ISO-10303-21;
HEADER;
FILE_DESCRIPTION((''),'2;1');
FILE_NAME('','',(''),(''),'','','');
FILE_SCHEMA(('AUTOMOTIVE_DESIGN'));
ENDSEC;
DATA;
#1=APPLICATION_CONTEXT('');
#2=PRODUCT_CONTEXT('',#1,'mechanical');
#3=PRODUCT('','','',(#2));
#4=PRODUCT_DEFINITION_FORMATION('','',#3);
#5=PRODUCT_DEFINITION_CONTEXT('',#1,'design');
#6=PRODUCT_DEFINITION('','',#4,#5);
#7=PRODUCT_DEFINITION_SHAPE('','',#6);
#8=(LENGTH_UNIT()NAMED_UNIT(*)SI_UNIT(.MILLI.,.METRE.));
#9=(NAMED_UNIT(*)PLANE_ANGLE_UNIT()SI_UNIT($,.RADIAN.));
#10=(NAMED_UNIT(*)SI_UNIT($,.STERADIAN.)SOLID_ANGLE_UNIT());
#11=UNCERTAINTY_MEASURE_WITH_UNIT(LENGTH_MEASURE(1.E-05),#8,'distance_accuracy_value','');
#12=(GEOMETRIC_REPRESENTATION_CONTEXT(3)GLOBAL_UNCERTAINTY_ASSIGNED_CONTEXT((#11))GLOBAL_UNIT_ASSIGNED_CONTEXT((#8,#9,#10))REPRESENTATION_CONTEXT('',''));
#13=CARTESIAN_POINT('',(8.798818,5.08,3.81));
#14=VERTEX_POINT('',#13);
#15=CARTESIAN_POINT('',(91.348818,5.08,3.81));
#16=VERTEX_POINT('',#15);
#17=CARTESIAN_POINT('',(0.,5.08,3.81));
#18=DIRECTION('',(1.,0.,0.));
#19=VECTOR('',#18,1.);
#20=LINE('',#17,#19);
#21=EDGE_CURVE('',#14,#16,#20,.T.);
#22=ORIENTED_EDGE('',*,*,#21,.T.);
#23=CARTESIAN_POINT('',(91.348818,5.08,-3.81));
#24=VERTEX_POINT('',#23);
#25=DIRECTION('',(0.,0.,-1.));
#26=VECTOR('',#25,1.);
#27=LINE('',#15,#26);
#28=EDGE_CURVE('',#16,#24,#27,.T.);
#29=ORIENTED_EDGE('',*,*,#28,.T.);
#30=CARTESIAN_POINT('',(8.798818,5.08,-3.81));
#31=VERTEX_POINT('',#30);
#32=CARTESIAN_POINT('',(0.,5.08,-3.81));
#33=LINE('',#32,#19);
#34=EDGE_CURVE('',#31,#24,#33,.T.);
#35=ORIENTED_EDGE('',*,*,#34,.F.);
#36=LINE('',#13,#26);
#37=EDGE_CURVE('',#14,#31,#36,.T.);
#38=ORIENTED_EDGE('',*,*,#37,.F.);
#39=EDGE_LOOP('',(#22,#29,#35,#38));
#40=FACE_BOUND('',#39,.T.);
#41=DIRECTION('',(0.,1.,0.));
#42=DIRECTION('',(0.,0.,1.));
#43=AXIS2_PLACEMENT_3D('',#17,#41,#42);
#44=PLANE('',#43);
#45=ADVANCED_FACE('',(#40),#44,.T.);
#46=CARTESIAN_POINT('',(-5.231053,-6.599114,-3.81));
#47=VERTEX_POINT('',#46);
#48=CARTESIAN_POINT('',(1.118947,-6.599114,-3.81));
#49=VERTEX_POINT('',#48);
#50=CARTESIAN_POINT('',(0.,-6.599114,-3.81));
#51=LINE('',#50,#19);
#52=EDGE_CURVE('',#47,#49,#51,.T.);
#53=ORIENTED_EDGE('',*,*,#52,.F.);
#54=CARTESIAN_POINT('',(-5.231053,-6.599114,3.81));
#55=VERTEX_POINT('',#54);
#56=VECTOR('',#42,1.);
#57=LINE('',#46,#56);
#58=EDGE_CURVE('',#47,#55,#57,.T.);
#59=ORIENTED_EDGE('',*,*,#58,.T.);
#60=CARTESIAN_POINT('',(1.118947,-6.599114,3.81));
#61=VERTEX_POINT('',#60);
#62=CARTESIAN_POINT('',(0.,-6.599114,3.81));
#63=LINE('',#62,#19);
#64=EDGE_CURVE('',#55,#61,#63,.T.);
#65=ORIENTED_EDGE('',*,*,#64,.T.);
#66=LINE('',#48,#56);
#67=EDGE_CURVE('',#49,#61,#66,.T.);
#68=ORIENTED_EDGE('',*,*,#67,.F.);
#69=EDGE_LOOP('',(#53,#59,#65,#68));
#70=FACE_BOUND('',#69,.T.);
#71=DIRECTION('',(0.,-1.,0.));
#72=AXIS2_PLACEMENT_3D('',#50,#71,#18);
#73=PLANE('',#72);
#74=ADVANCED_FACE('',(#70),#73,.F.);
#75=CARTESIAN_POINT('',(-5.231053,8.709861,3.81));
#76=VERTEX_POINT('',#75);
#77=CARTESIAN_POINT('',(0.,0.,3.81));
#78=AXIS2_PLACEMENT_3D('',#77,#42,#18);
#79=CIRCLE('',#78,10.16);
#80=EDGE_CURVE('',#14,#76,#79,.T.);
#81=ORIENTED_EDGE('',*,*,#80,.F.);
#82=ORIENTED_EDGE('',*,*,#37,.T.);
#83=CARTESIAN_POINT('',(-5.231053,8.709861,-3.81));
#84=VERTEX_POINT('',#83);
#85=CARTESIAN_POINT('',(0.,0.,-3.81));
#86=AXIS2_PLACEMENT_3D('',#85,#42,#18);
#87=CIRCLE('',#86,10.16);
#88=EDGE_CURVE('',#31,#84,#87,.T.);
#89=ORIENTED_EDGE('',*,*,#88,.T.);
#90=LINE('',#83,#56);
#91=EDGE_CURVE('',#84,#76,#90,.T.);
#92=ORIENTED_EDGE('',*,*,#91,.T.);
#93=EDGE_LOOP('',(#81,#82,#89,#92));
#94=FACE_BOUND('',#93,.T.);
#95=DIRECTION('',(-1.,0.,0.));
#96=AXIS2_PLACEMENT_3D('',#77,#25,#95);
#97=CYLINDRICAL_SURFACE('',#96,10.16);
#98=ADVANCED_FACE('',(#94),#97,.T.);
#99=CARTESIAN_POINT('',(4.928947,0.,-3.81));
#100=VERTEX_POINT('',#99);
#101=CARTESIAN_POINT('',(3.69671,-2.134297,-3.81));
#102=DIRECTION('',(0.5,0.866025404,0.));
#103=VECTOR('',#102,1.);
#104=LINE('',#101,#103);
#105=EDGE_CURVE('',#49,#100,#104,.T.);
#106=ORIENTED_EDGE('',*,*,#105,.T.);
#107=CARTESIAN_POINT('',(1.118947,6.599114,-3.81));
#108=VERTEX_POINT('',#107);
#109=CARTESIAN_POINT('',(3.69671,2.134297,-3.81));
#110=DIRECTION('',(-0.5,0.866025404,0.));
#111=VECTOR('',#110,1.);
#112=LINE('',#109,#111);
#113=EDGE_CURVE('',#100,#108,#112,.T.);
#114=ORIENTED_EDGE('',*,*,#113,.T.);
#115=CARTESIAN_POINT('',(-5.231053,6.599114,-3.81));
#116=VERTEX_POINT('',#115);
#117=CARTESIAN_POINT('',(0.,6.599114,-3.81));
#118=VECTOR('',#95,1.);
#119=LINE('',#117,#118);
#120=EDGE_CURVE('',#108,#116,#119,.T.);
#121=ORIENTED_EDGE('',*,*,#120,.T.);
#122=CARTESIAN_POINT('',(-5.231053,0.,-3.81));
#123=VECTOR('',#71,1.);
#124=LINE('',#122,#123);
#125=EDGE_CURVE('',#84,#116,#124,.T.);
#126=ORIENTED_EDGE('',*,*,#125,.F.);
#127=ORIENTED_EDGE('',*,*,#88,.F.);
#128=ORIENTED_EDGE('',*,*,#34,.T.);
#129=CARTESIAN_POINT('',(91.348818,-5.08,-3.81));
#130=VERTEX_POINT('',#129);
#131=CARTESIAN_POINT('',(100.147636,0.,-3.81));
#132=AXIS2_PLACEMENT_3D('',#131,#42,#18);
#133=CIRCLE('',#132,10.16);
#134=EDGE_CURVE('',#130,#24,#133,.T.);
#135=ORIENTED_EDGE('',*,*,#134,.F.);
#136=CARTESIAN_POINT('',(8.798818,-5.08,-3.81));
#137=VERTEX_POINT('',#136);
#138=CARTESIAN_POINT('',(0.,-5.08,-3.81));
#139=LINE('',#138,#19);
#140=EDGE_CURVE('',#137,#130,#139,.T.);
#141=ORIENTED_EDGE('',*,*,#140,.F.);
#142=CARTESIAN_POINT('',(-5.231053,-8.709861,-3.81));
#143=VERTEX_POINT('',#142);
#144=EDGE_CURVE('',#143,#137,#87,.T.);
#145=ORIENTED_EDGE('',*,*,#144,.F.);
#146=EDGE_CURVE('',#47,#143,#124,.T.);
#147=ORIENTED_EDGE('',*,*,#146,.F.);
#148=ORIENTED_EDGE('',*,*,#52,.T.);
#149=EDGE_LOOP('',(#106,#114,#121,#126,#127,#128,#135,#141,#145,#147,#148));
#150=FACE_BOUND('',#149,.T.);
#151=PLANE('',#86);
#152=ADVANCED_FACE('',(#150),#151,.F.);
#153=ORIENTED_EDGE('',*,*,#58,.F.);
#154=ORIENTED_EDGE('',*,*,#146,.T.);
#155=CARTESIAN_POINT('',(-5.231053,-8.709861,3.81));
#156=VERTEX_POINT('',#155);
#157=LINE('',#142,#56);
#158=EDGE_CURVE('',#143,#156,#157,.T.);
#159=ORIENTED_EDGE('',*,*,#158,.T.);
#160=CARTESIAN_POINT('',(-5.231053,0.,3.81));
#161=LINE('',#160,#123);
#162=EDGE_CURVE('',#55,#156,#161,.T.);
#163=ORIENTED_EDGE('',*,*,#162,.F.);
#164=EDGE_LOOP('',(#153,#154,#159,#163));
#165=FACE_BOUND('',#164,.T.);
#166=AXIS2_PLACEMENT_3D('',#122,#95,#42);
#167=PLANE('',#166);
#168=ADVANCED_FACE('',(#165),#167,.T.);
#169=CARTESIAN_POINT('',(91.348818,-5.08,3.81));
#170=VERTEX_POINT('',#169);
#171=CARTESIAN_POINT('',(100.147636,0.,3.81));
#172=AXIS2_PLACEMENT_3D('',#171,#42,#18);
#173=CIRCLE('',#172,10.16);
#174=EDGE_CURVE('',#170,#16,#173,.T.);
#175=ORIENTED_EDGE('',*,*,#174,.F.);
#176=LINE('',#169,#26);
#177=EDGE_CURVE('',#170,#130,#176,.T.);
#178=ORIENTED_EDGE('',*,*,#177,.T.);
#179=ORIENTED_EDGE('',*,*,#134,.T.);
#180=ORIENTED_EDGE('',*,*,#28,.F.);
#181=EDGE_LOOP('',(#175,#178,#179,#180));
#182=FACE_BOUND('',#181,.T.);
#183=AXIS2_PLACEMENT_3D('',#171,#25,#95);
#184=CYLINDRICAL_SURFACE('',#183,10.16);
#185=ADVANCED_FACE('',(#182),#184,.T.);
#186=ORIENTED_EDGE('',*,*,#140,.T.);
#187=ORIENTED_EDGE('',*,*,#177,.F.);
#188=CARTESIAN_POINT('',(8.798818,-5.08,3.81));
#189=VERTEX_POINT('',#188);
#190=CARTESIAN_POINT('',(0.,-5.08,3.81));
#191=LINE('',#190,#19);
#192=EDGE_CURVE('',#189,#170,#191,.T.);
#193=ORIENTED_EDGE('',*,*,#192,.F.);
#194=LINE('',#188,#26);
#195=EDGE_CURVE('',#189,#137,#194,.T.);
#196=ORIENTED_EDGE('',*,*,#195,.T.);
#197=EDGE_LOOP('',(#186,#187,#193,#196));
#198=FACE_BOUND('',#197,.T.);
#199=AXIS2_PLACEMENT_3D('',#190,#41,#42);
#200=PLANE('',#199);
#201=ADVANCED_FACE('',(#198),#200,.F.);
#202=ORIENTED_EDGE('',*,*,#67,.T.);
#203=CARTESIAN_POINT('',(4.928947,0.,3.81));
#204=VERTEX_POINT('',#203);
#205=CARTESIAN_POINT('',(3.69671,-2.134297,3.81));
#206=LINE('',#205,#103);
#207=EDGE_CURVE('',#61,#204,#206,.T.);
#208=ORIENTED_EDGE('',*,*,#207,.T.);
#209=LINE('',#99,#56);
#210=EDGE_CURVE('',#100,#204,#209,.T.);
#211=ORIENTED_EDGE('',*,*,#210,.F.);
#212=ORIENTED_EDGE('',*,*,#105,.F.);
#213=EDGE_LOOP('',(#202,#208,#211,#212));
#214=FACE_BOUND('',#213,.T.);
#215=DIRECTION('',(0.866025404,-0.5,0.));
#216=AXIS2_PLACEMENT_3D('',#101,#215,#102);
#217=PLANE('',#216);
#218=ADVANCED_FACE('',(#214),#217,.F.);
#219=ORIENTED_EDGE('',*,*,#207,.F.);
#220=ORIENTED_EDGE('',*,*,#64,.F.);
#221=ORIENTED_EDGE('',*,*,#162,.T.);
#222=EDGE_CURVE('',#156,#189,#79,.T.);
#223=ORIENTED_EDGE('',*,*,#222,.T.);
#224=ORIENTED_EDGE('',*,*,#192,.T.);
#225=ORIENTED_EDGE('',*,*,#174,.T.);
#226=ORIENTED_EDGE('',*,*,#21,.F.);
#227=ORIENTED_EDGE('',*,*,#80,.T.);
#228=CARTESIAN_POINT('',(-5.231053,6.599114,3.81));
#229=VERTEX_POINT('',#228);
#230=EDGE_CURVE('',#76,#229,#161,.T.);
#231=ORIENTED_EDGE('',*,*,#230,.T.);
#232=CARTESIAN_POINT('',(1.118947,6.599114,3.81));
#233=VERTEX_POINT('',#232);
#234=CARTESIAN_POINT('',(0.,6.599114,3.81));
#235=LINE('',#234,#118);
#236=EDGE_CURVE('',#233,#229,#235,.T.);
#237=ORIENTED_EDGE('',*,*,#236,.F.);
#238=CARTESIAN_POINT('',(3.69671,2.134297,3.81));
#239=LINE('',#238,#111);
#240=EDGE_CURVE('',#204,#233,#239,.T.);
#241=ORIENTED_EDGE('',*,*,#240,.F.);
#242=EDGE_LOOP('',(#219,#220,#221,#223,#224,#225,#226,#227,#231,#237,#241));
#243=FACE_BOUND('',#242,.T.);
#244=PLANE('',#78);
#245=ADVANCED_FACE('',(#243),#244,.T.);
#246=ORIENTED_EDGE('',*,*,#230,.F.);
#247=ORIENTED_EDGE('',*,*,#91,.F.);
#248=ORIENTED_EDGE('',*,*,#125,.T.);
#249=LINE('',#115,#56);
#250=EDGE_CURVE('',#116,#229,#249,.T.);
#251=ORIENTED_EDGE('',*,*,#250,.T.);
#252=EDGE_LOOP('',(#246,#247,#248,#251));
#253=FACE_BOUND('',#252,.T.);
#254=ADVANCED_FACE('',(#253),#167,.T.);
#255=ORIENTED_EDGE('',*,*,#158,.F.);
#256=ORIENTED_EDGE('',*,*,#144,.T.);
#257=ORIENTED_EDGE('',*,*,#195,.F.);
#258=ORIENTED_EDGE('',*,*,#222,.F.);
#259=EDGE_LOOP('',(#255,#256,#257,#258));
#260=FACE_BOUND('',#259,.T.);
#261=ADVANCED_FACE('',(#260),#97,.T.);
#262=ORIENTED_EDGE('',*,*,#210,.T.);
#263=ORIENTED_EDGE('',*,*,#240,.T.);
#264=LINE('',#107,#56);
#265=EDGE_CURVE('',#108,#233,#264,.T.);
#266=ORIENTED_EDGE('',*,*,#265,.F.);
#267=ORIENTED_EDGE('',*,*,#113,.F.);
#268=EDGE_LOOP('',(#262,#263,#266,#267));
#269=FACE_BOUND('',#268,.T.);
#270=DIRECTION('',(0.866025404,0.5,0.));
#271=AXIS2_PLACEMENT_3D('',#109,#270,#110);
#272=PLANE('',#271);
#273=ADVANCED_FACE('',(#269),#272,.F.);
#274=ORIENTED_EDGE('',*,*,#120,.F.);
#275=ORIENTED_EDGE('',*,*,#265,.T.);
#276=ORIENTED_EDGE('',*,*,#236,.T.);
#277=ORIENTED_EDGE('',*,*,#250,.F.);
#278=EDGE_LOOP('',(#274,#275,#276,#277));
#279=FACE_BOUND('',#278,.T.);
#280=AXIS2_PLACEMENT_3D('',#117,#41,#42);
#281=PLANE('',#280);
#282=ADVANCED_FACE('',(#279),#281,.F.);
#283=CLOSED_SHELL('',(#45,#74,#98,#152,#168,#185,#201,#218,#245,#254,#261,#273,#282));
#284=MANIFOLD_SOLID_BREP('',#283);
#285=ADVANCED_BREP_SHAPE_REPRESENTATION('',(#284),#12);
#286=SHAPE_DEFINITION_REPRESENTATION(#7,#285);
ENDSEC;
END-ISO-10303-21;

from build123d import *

# Parameters (mm, degrees)
BOSS_EXTRUDE1_DEPTH     = 3.81
CUT_EXTRUDE1_DEPTH      = 111.840048291
CUT_EXTRUDE1_DEPTH_BACK = 111.840048291


with BuildPart() as part:
    # Sketch1 → Boss-Extrude1 (new, symmetric)
    with BuildSketch(Plane.XY):
        with BuildLine():
            ThreePointArc((10.16, 0), (9.813806395, 2.629601498), (8.798818102, 5.08))
            Line((8.798818102, 5.08), (8.798818102, -5.08))
            ThreePointArc((8.798818102, -5.08), (9.813806395, -2.629601498), (10.16, 0))
        make_face()
        with BuildLine():
            Line((8.798818102, -5.08), (8.798818102, 5.08))
            ThreePointArc((8.798818102, 5.08), (-10.16, 0), (8.798818102, -5.08))
        make_face()
        with BuildLine():
            Line((91.348818102, 5.08), (8.798818102, 5.08))
            ThreePointArc((8.798818102, 5.08), (9.813806395, 2.629601498), (10.16, 0))
            ThreePointArc((10.16, 0), (9.813806395, -2.629601498), (8.798818102, -5.08))
            Line((8.798818102, -5.08), (91.348818102, -5.08))
            ThreePointArc((91.348818102, -5.08), (89.987636205, 0), (91.348818102, 5.08))
        make_face()
        with BuildLine():
            ThreePointArc((110.307636205, 0), (102.777237703, 9.813806395), (91.348818102, 5.08))
            Line((91.348818102, 5.08), (91.348818102, -5.08))
            ThreePointArc((91.348818102, -5.08), (102.777237703, -9.813806395), (110.307636205, 0))
        make_face()
        with BuildLine():
            Line((91.348818102, -5.08), (91.348818102, 5.08))
            ThreePointArc((91.348818102, 5.08), (89.987636205, 0), (91.348818102, -5.08))
        make_face()
        with BuildLine():
            ThreePointArc((110.307636205, 0), (102.777237703, 9.813806395), (91.348818102, 5.08))
            Line((91.348818102, 5.08), (91.348818102, -5.08))
            ThreePointArc((91.348818102, -5.08), (102.777237703, -9.813806395), (110.307636205, 0))
        make_face()
        with BuildLine():
            Line((91.348818102, -5.08), (91.348818102, 5.08))
            ThreePointArc((91.348818102, 5.08), (89.987636205, 0), (91.348818102, -5.08))
        make_face()
        with BuildLine():
            ThreePointArc((10.16, 0), (9.813806395, 2.629601498), (8.798818102, 5.08))
            Line((8.798818102, 5.08), (8.798818102, -5.08))
            ThreePointArc((8.798818102, -5.08), (9.813806395, -2.629601498), (10.16, 0))
        make_face()
        with BuildLine():
            Line((8.798818102, -5.08), (8.798818102, 5.08))
            ThreePointArc((8.798818102, 5.08), (-10.16, 0), (8.798818102, -5.08))
        make_face()
    extrude(amount=BOSS_EXTRUDE1_DEPTH, both=True)

    # Sketch2 → Cut-Extrude1 (cut, two sides: drawn at the far end of the back side and taken through both)
    with BuildSketch(Plane.XY.offset(-CUT_EXTRUDE1_DEPTH_BACK)):
        Polygon((1.118947019, 6.599113577), (-5.231052981, 6.599113577), (-5.231052981, -6.599113577), (1.118947019, -6.599113577), (4.928947019, 0), align=None)
        with BuildLine():
            Line((-5.231052981, -6.599113577), (-5.231052981, 6.599113577))
            Line((-5.231052981, 6.599113577), (-6.501052981, 6.599113577))
            Line((-6.501052981, 6.599113577), (-10.156471519, 0.267742946))
            ThreePointArc((-10.156471519, 0.267742946), (-10.16, 0), (-10.156471519, -0.267742946))
            Line((-10.156471519, -0.267742946), (-6.501052981, -6.599113577))
            Line((-6.501052981, -6.599113577), (-5.231052981, -6.599113577))
        make_face()
        with BuildLine():
            Line((-5.231052981, 6.599113577), (-5.231052981, 8.709861349))
            ThreePointArc((-5.231052981, 8.709861349), (-8.775609286, 5.119988443), (-10.156471519, 0.267742946))
            Line((-10.156471519, 0.267742946), (-6.501052981, 6.599113577))
            Line((-6.501052981, 6.599113577), (-5.231052981, 6.599113577))
        make_face()
        with BuildLine():
            Line((-5.231052981, -8.709861349), (-5.231052981, -6.599113577))
            Line((-5.231052981, -6.599113577), (-6.501052981, -6.599113577))
            Line((-6.501052981, -6.599113577), (-10.156471519, -0.267742946))
            ThreePointArc((-10.156471519, -0.267742946), (-8.775609286, -5.119988443), (-5.231052981, -8.709861349))
        make_face()
    extrude(amount=CUT_EXTRUDE1_DEPTH + CUT_EXTRUDE1_DEPTH_BACK, mode=Mode.SUBTRACT)


solid = part.part
